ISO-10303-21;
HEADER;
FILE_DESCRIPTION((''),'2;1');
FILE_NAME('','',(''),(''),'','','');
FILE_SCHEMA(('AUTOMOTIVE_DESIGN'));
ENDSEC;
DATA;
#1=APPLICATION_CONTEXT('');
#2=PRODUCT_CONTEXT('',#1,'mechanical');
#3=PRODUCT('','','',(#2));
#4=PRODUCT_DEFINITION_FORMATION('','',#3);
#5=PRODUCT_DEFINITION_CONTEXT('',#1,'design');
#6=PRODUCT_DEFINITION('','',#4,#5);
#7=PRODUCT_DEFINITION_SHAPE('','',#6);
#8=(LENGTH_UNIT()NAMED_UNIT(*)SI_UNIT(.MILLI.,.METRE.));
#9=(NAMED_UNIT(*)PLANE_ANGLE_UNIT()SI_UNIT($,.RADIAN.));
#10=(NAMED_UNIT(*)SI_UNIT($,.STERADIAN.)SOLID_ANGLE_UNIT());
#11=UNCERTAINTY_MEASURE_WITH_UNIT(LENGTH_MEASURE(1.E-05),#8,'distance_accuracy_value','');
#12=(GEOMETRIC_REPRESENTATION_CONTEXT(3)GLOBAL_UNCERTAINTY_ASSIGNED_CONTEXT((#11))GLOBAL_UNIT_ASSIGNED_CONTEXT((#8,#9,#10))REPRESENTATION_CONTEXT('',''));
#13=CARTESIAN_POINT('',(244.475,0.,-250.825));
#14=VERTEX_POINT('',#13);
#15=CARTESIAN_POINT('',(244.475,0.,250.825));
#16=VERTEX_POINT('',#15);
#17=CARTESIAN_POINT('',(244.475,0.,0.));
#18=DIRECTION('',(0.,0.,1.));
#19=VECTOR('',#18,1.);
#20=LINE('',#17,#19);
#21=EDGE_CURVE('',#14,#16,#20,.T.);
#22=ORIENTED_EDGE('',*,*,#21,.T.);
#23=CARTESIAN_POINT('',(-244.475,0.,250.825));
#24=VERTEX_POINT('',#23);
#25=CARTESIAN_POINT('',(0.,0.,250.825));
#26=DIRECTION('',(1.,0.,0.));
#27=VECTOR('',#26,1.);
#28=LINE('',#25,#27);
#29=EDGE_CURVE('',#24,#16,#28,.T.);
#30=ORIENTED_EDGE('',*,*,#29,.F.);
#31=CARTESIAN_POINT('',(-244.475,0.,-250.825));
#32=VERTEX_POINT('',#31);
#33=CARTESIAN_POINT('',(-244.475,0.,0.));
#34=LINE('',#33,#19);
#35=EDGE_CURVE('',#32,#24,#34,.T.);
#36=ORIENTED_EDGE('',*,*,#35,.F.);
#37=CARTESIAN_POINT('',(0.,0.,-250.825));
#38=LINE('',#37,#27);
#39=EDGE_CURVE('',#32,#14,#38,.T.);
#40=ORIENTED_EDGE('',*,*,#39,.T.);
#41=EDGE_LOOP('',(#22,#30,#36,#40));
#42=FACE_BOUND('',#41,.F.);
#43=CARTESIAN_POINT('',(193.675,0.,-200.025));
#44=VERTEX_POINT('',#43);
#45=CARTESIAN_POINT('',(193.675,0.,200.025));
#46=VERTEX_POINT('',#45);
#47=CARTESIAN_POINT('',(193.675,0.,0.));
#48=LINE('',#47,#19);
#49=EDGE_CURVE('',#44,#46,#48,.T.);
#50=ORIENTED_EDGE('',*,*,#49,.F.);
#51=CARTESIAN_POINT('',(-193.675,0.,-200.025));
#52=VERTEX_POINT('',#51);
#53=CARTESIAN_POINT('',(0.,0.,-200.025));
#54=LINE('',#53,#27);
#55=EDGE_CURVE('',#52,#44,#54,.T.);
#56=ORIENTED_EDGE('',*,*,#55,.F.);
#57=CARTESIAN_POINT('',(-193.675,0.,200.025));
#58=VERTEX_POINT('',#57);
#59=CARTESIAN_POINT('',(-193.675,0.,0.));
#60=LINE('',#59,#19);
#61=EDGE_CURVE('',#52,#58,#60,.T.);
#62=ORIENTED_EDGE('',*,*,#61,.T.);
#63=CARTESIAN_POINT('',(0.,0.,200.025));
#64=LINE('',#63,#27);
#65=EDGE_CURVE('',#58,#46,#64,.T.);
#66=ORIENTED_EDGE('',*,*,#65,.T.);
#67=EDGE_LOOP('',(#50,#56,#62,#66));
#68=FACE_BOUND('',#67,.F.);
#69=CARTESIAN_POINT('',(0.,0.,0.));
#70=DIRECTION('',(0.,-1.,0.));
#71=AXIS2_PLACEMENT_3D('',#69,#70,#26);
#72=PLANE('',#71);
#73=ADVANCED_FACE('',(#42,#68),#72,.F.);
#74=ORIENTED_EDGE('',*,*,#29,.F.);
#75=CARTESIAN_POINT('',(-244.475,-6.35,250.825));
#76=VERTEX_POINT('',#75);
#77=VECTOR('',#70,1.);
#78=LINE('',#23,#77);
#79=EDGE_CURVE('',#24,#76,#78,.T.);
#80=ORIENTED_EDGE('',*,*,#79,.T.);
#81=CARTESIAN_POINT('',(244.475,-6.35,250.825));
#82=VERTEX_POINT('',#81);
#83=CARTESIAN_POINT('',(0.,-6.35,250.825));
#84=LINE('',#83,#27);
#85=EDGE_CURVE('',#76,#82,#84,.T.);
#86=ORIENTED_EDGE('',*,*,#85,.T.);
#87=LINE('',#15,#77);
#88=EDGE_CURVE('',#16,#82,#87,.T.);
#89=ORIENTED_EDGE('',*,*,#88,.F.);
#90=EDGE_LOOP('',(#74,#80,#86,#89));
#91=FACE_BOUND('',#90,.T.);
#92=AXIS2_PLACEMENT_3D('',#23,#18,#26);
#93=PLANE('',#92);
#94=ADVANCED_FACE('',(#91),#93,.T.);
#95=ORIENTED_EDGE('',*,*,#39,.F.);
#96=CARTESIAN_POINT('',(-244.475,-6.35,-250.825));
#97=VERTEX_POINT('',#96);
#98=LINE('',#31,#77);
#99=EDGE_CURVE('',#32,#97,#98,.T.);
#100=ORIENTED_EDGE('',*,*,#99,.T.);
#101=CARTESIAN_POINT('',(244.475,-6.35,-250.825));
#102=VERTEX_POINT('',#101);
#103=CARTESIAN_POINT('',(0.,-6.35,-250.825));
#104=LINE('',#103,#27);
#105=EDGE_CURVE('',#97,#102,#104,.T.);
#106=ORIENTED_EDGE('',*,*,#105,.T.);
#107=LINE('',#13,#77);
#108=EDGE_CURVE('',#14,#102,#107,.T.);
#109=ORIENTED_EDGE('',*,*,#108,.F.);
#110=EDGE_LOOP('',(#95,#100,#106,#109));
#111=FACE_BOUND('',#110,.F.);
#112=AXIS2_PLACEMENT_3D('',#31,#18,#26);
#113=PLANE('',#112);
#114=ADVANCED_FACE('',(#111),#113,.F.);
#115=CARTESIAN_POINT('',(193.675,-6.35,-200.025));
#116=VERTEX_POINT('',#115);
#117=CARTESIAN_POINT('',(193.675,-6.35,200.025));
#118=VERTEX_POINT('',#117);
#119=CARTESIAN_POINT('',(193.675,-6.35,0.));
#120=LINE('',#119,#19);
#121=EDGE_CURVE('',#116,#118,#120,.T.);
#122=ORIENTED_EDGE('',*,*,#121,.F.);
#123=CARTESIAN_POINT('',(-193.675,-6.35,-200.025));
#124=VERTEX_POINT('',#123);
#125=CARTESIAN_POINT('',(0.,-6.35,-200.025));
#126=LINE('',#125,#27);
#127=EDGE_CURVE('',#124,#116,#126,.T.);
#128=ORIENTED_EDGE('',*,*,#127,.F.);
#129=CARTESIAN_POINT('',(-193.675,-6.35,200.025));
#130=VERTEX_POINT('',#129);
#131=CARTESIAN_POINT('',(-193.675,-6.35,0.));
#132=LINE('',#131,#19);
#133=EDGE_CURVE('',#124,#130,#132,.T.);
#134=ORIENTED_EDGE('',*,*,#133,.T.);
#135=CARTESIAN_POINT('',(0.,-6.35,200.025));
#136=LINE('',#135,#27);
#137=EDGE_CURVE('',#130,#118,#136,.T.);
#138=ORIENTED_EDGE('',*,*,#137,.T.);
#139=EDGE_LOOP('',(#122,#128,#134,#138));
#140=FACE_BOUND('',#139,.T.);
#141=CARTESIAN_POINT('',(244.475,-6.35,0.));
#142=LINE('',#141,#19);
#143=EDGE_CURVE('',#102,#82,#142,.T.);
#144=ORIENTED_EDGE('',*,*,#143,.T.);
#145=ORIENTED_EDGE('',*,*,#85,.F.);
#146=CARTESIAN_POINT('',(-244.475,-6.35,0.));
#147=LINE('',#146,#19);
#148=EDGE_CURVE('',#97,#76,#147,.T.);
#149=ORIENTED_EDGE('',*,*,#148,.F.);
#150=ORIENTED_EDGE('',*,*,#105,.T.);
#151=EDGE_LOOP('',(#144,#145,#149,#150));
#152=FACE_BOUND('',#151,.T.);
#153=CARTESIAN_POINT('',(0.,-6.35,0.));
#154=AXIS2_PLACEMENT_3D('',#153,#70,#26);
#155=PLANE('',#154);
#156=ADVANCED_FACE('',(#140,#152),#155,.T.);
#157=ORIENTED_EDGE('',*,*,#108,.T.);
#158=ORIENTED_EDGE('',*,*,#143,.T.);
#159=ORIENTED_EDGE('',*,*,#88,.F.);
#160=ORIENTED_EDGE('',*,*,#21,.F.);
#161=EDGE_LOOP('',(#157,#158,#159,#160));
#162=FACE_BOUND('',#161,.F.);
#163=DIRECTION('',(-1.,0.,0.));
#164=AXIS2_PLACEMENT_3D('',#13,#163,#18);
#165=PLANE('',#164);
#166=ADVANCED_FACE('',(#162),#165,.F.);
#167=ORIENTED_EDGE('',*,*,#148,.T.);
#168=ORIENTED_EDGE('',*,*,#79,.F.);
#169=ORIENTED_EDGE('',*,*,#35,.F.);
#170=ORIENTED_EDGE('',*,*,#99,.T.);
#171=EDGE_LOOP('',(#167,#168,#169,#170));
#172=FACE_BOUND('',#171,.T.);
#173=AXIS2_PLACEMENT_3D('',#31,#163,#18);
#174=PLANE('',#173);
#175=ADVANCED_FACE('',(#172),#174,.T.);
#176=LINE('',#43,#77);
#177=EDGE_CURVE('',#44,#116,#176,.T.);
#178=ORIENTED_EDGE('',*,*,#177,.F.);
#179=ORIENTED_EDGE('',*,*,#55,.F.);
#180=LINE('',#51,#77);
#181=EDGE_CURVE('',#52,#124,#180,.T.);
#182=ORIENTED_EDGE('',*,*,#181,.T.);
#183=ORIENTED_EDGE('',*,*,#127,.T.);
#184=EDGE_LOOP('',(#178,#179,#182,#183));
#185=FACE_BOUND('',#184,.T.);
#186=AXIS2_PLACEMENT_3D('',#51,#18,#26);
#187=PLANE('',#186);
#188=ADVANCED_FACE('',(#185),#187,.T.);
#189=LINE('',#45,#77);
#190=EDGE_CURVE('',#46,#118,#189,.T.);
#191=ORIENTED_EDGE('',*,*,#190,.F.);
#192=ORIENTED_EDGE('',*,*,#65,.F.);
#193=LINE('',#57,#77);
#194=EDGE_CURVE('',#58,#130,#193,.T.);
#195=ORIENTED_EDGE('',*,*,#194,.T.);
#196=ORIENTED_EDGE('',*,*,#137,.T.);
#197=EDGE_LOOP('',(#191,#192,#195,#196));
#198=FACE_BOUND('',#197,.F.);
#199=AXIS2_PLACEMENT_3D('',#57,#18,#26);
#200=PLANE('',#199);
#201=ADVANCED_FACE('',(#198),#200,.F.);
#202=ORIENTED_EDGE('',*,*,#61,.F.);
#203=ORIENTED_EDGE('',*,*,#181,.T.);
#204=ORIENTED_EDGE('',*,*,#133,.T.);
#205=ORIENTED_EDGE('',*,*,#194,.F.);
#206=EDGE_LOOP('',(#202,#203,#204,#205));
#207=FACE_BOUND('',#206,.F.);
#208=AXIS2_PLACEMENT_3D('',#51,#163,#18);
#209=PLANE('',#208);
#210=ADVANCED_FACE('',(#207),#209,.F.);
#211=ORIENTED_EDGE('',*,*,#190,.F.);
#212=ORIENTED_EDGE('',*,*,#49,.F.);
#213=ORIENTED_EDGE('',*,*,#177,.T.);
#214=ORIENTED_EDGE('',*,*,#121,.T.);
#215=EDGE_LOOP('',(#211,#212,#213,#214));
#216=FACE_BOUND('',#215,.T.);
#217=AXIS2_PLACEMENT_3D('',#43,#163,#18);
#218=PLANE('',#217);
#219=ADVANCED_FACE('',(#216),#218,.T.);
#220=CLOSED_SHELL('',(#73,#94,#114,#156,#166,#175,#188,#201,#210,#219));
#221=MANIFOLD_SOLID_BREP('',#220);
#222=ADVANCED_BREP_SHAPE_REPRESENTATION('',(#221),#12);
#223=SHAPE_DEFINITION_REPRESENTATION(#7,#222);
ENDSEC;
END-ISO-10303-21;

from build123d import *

# Parameters (mm, degrees)
SKETCH_W   = 488.95
SKETCH_H   = 501.65
SKETCH_W_2 = 387.35
SKETCH_H_2 = 400.05
PAD_DEPTH  = 6.35


with BuildPart() as part:
    # Sketch → Pad (new body)
    with BuildSketch(Plane.XZ):
        Rectangle(SKETCH_W, SKETCH_H)
        Rectangle(SKETCH_W_2, SKETCH_H_2, mode=Mode.SUBTRACT)
    extrude(amount=PAD_DEPTH)


solid = part.part
